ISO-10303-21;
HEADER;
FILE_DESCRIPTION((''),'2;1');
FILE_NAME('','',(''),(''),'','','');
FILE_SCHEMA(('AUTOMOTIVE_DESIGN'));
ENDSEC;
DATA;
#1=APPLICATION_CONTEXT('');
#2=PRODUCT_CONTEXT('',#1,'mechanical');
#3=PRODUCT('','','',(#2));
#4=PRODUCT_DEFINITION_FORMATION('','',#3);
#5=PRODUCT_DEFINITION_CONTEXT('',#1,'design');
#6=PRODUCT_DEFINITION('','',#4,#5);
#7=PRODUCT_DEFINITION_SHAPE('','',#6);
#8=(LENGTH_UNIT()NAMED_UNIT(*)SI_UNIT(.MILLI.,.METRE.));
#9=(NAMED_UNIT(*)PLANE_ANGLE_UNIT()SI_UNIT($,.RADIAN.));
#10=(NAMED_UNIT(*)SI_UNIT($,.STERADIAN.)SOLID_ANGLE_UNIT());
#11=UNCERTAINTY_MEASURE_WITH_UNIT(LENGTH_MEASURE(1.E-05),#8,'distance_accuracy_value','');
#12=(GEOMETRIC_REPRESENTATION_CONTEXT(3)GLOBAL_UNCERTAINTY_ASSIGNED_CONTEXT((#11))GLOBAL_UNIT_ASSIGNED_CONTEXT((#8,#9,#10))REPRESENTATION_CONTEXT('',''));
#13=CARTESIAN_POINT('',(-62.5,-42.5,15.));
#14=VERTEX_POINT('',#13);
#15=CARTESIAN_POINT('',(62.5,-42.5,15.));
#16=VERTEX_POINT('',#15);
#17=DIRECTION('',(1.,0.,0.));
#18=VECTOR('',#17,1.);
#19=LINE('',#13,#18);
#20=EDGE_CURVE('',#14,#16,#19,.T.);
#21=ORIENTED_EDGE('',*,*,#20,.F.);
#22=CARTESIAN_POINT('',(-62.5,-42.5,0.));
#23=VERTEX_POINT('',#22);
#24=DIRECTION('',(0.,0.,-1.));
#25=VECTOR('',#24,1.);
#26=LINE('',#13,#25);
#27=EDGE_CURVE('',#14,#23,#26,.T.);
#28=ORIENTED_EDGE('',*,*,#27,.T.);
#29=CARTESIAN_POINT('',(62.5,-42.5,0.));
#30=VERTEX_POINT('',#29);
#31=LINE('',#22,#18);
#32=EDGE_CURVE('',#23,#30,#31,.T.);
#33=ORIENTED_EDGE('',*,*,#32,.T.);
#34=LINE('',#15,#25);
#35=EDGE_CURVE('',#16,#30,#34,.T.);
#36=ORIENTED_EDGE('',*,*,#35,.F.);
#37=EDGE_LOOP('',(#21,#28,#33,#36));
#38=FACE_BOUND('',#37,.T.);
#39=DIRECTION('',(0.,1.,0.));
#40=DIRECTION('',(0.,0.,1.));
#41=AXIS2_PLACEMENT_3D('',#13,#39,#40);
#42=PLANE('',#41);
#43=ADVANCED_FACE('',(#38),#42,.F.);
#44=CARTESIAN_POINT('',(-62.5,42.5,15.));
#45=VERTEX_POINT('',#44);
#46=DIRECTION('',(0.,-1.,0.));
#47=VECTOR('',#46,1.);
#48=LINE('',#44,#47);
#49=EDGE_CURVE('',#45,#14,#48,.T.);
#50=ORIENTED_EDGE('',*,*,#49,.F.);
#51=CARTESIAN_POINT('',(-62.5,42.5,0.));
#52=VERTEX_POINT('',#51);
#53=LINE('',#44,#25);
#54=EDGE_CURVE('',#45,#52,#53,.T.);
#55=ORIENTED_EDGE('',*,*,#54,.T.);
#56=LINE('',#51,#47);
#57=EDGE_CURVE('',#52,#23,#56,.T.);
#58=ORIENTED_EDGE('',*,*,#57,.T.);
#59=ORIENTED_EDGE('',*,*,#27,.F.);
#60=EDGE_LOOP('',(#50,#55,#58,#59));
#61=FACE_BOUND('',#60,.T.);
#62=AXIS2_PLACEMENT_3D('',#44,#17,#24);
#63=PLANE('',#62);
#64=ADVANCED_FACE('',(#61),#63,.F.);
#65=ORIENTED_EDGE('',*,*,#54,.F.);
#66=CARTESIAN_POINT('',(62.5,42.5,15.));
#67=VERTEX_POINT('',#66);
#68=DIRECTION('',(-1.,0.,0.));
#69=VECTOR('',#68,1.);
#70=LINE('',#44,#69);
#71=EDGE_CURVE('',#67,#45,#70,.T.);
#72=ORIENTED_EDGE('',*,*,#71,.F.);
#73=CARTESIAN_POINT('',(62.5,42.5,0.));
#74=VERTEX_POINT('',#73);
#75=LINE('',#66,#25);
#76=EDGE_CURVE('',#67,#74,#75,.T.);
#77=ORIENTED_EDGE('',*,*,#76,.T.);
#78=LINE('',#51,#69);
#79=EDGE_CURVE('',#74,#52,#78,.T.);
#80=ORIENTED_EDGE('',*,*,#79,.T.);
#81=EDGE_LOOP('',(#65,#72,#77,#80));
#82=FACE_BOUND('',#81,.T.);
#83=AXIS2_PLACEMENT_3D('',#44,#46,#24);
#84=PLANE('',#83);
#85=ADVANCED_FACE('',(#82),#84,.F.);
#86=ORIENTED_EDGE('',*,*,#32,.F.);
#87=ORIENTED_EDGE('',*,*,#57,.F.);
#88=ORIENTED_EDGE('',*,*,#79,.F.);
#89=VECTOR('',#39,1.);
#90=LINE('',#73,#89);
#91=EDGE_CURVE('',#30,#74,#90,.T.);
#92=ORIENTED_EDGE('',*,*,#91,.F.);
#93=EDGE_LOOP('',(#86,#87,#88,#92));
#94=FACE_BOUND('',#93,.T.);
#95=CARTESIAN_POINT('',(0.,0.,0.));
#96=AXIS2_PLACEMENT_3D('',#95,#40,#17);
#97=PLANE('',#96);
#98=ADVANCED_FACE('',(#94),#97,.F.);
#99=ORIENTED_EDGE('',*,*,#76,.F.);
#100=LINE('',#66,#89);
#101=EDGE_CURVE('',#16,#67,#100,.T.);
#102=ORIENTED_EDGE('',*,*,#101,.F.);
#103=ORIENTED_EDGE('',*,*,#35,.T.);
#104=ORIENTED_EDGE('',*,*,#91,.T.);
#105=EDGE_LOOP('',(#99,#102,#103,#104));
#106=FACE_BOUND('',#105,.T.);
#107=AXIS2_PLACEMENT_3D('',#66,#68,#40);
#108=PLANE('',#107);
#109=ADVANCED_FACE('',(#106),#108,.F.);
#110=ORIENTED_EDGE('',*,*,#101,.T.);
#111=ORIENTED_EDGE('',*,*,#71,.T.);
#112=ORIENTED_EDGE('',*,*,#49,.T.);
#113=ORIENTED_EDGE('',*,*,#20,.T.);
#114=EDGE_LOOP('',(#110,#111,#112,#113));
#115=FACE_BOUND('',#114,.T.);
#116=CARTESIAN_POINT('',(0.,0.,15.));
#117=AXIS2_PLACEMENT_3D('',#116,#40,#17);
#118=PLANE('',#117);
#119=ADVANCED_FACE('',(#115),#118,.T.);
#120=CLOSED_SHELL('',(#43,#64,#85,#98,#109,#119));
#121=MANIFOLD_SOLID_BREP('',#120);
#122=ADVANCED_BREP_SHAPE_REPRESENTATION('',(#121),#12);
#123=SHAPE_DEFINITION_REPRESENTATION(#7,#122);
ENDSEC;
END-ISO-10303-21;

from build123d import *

# Parameters (mm, degrees)
ESBO_O1_W                = 125
ESBO_O1_H                = 85
RESSALTO_EXTRUS_O1_DEPTH = 15


with BuildPart() as part:
    # Esboço1 → Ressalto-extrusão1 (new body)
    with BuildSketch(Plane.XY):
        Rectangle(ESBO_O1_W, ESBO_O1_H)
    extrude(amount=RESSALTO_EXTRUS_O1_DEPTH)


solid = part.part
